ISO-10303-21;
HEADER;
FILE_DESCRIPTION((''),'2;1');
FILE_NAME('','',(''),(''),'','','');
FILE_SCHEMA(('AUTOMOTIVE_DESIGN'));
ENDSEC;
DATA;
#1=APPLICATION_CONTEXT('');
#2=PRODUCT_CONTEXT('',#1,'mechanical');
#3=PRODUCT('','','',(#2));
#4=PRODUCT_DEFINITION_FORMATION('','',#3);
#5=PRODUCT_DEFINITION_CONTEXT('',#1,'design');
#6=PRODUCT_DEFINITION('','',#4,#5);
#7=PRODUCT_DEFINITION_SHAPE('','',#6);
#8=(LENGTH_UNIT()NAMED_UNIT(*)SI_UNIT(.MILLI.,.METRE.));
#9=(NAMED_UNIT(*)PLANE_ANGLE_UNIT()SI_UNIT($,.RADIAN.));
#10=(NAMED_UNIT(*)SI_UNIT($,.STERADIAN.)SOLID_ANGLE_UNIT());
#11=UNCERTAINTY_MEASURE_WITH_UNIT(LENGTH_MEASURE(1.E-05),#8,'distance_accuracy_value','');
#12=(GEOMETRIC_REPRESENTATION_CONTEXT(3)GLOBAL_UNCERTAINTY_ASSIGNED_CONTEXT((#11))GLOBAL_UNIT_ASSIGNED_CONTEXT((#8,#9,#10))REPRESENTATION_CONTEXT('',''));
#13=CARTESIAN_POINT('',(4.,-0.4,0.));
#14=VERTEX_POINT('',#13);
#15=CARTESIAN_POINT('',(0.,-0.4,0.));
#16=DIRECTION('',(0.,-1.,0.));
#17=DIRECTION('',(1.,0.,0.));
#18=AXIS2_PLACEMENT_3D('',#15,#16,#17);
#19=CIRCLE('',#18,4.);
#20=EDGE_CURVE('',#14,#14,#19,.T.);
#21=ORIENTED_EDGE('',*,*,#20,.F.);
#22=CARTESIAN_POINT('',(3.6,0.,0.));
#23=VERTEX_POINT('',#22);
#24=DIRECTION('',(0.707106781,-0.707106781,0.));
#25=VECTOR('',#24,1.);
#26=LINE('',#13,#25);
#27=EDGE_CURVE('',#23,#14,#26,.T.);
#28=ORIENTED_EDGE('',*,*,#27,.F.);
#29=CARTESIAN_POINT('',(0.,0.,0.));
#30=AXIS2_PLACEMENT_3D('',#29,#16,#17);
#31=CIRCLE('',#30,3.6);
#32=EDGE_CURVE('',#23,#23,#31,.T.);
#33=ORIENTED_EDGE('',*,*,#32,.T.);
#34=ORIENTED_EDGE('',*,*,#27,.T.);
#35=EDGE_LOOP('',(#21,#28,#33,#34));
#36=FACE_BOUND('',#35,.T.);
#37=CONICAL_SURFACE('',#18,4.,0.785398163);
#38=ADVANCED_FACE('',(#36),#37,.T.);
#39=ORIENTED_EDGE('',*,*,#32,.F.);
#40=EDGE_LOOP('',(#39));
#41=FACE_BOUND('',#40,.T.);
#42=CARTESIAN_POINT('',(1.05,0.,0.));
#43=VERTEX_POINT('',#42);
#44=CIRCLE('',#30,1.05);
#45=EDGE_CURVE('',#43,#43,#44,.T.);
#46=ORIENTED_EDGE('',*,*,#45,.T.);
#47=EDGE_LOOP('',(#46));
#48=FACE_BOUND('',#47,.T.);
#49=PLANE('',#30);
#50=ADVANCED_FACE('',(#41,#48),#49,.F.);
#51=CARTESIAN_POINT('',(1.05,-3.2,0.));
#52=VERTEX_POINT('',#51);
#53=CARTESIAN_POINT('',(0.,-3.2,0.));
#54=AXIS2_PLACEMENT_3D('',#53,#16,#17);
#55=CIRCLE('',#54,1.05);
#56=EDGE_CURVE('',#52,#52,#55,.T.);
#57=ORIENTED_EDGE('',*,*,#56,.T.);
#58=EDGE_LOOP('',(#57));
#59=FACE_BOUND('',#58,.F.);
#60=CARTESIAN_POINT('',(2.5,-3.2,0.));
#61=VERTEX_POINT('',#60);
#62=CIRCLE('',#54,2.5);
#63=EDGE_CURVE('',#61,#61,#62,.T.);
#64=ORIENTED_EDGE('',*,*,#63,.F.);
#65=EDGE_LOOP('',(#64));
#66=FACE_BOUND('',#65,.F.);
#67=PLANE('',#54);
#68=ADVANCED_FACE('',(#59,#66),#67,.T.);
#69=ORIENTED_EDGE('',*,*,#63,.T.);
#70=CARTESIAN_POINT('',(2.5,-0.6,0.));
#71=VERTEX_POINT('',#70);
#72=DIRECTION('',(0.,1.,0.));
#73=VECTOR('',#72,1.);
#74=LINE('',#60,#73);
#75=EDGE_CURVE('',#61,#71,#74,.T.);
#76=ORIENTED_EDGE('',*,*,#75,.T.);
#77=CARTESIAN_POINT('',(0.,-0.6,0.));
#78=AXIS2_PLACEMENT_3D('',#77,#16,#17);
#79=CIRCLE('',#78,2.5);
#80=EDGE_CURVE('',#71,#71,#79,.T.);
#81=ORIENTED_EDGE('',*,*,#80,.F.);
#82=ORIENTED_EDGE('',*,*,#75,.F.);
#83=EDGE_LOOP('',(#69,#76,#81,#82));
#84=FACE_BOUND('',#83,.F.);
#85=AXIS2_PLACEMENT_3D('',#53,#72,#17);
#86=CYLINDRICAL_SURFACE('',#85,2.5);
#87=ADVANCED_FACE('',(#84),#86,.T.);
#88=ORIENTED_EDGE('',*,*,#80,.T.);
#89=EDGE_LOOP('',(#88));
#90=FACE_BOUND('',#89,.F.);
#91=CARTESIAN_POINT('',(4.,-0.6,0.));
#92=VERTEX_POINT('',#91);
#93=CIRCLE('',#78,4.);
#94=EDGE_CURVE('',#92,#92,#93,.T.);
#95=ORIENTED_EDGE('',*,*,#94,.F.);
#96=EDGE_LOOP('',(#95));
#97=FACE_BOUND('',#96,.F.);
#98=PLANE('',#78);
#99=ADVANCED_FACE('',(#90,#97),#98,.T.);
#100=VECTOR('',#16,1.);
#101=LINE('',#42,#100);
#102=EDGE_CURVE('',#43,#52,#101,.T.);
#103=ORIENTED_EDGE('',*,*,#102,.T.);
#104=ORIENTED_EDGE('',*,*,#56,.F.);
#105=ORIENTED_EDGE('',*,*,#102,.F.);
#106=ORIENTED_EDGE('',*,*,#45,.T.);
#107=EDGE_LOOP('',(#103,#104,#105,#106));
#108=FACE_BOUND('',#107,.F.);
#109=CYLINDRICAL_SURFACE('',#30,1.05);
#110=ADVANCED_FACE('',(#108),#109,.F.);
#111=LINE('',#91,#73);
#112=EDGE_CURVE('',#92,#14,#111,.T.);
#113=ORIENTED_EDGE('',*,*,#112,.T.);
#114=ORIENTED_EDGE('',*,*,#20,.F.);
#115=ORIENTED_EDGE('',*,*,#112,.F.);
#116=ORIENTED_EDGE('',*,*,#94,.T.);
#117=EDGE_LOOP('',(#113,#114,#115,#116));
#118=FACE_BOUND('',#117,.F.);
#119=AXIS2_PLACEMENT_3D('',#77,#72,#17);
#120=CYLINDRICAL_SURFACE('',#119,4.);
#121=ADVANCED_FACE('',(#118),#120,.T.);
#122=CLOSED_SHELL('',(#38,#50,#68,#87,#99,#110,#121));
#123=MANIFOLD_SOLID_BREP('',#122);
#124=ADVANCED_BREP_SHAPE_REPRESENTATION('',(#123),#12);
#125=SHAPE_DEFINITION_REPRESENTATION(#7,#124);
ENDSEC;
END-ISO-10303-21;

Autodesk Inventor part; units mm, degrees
ref_plane "YZ Plane" through (0, 0, 0) normal (1, 0, 0) x (0, 1, 0)
ref_plane "XZ Plane" through (0, 0, 0) normal (0, 1, 0) x (-1, 0, 0)
ref_plane "XY Plane" through (0, 0, 0) normal (0, 0, 1) x (1, 0, 0)
sketch "スケッチ1" plane through (0, 0, 0) normal (0, 0, 1) x (1, 0, 0)
  line L0 (0, 0.64) -> (0, -3.84) projected
  line L1 (-0.8, 0) -> (4.8, 0) projected
  line L2 (1.05, 0) -> (1.05, -3.2)
  line L3 (1.05, -3.2) -> (2.5, -3.2)
  line L4 (2.5, -3.2) -> (2.5, -0.6)
  line L5 (2.5, -0.6) -> (4, -0.6)
  line L6 (4, -0.6) -> (4, 0)
  line L7 (4, 0) -> (1.05, 0)
  point P0 (0, 0)
  dimension "d0" = 1.05
  dimension "d1" = 2.5
  dimension "d2" = 3.2
  dimension "d3" = 2.6
  dimension "d4" = 4
revolve "回転1" add sketch "スケッチ1" angle 360 about axis through (0, 0, 0) along (0, -1, 0)
chamfer "面取り1" distance 0.4 angle 45 1 edges at (-4, 0, 0)
properties part number "DoubleCrossBarPin" material "ABS プラスチック"
